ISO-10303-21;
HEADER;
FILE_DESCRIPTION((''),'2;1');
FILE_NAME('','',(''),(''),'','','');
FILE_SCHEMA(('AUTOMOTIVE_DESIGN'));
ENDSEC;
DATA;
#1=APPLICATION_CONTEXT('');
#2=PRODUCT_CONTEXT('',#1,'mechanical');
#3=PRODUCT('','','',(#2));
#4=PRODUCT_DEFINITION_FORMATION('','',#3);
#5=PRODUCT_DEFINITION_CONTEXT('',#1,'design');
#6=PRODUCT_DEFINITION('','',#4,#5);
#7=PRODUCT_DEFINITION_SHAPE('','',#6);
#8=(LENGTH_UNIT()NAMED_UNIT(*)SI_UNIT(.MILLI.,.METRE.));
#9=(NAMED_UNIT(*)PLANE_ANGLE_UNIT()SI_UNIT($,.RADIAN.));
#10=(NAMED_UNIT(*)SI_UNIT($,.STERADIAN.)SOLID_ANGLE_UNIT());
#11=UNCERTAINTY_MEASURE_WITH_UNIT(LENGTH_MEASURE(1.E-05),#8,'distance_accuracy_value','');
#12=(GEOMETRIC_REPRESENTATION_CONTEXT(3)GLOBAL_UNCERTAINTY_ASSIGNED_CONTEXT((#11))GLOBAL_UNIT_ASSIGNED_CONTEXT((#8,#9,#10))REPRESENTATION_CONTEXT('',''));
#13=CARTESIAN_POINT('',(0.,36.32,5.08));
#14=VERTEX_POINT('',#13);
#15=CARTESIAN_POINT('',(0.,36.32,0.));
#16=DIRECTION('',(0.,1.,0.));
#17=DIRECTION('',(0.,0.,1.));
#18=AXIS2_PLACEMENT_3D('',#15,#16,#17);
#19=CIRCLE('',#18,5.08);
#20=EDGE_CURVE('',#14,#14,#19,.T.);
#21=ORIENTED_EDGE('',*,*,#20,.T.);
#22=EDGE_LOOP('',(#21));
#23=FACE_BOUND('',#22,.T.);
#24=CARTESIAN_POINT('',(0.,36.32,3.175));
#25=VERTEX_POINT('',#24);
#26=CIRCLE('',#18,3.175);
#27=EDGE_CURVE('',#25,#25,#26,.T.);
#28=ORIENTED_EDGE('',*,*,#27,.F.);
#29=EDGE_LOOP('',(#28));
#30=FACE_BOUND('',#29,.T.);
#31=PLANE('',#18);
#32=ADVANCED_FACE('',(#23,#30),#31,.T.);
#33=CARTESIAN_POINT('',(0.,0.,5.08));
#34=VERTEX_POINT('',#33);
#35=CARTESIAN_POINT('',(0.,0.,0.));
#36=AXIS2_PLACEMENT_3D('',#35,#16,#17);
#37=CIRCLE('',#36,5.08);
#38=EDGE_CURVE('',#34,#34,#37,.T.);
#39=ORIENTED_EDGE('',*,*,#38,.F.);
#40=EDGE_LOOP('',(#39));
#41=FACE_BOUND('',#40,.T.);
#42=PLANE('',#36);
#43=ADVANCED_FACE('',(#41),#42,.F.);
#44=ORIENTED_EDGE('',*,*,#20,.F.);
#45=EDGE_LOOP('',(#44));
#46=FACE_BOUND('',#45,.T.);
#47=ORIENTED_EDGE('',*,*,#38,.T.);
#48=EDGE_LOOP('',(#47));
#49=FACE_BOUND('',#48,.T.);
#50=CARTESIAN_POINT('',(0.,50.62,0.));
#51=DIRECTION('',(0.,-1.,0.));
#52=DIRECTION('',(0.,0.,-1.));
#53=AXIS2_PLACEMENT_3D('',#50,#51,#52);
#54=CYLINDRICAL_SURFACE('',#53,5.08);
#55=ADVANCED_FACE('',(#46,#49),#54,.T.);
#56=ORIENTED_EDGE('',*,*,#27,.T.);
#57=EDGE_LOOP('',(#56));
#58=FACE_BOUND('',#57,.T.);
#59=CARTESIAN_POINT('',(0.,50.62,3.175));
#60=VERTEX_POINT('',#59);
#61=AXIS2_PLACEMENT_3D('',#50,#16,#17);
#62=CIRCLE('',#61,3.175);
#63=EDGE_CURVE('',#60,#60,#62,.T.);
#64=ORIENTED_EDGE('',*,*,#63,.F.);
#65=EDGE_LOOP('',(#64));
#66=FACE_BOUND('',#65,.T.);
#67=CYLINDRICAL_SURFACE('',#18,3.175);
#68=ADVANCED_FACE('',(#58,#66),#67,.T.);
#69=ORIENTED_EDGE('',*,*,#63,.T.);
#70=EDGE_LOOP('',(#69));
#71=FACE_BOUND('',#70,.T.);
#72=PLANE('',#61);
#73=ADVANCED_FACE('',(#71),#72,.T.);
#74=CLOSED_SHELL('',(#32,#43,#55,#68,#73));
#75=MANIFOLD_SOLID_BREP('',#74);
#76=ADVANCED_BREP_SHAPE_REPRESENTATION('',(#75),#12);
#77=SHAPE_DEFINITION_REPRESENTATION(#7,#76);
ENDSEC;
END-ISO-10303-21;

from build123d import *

# Parameters (mm, degrees)
SKETCH1_R           = 5.08
BOSS_EXTRUDE1_DEPTH = 50.620000106
SKETCH2_R           = 5.08
SKETCH2_R_2         = 3.175
CUT_EXTRUDE1_DEPTH  = 14.3


with BuildPart() as part:
    # Sketch1 → Boss-Extrude1 (new body)
    with BuildSketch(Plane(origin=(0, 0, 0), x_dir=(1, 0, 0), z_dir=(0, 1, 0))):
        Circle(SKETCH1_R)
    extrude(amount=BOSS_EXTRUDE1_DEPTH)

    # Sketch2 → Cut-Extrude1 (cut)
    with BuildSketch(Plane(origin=(0, 50.620000106, 0), x_dir=(1, 0, 0), z_dir=(0, 1, 0))):
        Circle(SKETCH2_R)
        Circle(SKETCH2_R_2, mode=Mode.SUBTRACT)
    extrude(amount=-CUT_EXTRUDE1_DEPTH, mode=Mode.SUBTRACT)


solid = part.part
